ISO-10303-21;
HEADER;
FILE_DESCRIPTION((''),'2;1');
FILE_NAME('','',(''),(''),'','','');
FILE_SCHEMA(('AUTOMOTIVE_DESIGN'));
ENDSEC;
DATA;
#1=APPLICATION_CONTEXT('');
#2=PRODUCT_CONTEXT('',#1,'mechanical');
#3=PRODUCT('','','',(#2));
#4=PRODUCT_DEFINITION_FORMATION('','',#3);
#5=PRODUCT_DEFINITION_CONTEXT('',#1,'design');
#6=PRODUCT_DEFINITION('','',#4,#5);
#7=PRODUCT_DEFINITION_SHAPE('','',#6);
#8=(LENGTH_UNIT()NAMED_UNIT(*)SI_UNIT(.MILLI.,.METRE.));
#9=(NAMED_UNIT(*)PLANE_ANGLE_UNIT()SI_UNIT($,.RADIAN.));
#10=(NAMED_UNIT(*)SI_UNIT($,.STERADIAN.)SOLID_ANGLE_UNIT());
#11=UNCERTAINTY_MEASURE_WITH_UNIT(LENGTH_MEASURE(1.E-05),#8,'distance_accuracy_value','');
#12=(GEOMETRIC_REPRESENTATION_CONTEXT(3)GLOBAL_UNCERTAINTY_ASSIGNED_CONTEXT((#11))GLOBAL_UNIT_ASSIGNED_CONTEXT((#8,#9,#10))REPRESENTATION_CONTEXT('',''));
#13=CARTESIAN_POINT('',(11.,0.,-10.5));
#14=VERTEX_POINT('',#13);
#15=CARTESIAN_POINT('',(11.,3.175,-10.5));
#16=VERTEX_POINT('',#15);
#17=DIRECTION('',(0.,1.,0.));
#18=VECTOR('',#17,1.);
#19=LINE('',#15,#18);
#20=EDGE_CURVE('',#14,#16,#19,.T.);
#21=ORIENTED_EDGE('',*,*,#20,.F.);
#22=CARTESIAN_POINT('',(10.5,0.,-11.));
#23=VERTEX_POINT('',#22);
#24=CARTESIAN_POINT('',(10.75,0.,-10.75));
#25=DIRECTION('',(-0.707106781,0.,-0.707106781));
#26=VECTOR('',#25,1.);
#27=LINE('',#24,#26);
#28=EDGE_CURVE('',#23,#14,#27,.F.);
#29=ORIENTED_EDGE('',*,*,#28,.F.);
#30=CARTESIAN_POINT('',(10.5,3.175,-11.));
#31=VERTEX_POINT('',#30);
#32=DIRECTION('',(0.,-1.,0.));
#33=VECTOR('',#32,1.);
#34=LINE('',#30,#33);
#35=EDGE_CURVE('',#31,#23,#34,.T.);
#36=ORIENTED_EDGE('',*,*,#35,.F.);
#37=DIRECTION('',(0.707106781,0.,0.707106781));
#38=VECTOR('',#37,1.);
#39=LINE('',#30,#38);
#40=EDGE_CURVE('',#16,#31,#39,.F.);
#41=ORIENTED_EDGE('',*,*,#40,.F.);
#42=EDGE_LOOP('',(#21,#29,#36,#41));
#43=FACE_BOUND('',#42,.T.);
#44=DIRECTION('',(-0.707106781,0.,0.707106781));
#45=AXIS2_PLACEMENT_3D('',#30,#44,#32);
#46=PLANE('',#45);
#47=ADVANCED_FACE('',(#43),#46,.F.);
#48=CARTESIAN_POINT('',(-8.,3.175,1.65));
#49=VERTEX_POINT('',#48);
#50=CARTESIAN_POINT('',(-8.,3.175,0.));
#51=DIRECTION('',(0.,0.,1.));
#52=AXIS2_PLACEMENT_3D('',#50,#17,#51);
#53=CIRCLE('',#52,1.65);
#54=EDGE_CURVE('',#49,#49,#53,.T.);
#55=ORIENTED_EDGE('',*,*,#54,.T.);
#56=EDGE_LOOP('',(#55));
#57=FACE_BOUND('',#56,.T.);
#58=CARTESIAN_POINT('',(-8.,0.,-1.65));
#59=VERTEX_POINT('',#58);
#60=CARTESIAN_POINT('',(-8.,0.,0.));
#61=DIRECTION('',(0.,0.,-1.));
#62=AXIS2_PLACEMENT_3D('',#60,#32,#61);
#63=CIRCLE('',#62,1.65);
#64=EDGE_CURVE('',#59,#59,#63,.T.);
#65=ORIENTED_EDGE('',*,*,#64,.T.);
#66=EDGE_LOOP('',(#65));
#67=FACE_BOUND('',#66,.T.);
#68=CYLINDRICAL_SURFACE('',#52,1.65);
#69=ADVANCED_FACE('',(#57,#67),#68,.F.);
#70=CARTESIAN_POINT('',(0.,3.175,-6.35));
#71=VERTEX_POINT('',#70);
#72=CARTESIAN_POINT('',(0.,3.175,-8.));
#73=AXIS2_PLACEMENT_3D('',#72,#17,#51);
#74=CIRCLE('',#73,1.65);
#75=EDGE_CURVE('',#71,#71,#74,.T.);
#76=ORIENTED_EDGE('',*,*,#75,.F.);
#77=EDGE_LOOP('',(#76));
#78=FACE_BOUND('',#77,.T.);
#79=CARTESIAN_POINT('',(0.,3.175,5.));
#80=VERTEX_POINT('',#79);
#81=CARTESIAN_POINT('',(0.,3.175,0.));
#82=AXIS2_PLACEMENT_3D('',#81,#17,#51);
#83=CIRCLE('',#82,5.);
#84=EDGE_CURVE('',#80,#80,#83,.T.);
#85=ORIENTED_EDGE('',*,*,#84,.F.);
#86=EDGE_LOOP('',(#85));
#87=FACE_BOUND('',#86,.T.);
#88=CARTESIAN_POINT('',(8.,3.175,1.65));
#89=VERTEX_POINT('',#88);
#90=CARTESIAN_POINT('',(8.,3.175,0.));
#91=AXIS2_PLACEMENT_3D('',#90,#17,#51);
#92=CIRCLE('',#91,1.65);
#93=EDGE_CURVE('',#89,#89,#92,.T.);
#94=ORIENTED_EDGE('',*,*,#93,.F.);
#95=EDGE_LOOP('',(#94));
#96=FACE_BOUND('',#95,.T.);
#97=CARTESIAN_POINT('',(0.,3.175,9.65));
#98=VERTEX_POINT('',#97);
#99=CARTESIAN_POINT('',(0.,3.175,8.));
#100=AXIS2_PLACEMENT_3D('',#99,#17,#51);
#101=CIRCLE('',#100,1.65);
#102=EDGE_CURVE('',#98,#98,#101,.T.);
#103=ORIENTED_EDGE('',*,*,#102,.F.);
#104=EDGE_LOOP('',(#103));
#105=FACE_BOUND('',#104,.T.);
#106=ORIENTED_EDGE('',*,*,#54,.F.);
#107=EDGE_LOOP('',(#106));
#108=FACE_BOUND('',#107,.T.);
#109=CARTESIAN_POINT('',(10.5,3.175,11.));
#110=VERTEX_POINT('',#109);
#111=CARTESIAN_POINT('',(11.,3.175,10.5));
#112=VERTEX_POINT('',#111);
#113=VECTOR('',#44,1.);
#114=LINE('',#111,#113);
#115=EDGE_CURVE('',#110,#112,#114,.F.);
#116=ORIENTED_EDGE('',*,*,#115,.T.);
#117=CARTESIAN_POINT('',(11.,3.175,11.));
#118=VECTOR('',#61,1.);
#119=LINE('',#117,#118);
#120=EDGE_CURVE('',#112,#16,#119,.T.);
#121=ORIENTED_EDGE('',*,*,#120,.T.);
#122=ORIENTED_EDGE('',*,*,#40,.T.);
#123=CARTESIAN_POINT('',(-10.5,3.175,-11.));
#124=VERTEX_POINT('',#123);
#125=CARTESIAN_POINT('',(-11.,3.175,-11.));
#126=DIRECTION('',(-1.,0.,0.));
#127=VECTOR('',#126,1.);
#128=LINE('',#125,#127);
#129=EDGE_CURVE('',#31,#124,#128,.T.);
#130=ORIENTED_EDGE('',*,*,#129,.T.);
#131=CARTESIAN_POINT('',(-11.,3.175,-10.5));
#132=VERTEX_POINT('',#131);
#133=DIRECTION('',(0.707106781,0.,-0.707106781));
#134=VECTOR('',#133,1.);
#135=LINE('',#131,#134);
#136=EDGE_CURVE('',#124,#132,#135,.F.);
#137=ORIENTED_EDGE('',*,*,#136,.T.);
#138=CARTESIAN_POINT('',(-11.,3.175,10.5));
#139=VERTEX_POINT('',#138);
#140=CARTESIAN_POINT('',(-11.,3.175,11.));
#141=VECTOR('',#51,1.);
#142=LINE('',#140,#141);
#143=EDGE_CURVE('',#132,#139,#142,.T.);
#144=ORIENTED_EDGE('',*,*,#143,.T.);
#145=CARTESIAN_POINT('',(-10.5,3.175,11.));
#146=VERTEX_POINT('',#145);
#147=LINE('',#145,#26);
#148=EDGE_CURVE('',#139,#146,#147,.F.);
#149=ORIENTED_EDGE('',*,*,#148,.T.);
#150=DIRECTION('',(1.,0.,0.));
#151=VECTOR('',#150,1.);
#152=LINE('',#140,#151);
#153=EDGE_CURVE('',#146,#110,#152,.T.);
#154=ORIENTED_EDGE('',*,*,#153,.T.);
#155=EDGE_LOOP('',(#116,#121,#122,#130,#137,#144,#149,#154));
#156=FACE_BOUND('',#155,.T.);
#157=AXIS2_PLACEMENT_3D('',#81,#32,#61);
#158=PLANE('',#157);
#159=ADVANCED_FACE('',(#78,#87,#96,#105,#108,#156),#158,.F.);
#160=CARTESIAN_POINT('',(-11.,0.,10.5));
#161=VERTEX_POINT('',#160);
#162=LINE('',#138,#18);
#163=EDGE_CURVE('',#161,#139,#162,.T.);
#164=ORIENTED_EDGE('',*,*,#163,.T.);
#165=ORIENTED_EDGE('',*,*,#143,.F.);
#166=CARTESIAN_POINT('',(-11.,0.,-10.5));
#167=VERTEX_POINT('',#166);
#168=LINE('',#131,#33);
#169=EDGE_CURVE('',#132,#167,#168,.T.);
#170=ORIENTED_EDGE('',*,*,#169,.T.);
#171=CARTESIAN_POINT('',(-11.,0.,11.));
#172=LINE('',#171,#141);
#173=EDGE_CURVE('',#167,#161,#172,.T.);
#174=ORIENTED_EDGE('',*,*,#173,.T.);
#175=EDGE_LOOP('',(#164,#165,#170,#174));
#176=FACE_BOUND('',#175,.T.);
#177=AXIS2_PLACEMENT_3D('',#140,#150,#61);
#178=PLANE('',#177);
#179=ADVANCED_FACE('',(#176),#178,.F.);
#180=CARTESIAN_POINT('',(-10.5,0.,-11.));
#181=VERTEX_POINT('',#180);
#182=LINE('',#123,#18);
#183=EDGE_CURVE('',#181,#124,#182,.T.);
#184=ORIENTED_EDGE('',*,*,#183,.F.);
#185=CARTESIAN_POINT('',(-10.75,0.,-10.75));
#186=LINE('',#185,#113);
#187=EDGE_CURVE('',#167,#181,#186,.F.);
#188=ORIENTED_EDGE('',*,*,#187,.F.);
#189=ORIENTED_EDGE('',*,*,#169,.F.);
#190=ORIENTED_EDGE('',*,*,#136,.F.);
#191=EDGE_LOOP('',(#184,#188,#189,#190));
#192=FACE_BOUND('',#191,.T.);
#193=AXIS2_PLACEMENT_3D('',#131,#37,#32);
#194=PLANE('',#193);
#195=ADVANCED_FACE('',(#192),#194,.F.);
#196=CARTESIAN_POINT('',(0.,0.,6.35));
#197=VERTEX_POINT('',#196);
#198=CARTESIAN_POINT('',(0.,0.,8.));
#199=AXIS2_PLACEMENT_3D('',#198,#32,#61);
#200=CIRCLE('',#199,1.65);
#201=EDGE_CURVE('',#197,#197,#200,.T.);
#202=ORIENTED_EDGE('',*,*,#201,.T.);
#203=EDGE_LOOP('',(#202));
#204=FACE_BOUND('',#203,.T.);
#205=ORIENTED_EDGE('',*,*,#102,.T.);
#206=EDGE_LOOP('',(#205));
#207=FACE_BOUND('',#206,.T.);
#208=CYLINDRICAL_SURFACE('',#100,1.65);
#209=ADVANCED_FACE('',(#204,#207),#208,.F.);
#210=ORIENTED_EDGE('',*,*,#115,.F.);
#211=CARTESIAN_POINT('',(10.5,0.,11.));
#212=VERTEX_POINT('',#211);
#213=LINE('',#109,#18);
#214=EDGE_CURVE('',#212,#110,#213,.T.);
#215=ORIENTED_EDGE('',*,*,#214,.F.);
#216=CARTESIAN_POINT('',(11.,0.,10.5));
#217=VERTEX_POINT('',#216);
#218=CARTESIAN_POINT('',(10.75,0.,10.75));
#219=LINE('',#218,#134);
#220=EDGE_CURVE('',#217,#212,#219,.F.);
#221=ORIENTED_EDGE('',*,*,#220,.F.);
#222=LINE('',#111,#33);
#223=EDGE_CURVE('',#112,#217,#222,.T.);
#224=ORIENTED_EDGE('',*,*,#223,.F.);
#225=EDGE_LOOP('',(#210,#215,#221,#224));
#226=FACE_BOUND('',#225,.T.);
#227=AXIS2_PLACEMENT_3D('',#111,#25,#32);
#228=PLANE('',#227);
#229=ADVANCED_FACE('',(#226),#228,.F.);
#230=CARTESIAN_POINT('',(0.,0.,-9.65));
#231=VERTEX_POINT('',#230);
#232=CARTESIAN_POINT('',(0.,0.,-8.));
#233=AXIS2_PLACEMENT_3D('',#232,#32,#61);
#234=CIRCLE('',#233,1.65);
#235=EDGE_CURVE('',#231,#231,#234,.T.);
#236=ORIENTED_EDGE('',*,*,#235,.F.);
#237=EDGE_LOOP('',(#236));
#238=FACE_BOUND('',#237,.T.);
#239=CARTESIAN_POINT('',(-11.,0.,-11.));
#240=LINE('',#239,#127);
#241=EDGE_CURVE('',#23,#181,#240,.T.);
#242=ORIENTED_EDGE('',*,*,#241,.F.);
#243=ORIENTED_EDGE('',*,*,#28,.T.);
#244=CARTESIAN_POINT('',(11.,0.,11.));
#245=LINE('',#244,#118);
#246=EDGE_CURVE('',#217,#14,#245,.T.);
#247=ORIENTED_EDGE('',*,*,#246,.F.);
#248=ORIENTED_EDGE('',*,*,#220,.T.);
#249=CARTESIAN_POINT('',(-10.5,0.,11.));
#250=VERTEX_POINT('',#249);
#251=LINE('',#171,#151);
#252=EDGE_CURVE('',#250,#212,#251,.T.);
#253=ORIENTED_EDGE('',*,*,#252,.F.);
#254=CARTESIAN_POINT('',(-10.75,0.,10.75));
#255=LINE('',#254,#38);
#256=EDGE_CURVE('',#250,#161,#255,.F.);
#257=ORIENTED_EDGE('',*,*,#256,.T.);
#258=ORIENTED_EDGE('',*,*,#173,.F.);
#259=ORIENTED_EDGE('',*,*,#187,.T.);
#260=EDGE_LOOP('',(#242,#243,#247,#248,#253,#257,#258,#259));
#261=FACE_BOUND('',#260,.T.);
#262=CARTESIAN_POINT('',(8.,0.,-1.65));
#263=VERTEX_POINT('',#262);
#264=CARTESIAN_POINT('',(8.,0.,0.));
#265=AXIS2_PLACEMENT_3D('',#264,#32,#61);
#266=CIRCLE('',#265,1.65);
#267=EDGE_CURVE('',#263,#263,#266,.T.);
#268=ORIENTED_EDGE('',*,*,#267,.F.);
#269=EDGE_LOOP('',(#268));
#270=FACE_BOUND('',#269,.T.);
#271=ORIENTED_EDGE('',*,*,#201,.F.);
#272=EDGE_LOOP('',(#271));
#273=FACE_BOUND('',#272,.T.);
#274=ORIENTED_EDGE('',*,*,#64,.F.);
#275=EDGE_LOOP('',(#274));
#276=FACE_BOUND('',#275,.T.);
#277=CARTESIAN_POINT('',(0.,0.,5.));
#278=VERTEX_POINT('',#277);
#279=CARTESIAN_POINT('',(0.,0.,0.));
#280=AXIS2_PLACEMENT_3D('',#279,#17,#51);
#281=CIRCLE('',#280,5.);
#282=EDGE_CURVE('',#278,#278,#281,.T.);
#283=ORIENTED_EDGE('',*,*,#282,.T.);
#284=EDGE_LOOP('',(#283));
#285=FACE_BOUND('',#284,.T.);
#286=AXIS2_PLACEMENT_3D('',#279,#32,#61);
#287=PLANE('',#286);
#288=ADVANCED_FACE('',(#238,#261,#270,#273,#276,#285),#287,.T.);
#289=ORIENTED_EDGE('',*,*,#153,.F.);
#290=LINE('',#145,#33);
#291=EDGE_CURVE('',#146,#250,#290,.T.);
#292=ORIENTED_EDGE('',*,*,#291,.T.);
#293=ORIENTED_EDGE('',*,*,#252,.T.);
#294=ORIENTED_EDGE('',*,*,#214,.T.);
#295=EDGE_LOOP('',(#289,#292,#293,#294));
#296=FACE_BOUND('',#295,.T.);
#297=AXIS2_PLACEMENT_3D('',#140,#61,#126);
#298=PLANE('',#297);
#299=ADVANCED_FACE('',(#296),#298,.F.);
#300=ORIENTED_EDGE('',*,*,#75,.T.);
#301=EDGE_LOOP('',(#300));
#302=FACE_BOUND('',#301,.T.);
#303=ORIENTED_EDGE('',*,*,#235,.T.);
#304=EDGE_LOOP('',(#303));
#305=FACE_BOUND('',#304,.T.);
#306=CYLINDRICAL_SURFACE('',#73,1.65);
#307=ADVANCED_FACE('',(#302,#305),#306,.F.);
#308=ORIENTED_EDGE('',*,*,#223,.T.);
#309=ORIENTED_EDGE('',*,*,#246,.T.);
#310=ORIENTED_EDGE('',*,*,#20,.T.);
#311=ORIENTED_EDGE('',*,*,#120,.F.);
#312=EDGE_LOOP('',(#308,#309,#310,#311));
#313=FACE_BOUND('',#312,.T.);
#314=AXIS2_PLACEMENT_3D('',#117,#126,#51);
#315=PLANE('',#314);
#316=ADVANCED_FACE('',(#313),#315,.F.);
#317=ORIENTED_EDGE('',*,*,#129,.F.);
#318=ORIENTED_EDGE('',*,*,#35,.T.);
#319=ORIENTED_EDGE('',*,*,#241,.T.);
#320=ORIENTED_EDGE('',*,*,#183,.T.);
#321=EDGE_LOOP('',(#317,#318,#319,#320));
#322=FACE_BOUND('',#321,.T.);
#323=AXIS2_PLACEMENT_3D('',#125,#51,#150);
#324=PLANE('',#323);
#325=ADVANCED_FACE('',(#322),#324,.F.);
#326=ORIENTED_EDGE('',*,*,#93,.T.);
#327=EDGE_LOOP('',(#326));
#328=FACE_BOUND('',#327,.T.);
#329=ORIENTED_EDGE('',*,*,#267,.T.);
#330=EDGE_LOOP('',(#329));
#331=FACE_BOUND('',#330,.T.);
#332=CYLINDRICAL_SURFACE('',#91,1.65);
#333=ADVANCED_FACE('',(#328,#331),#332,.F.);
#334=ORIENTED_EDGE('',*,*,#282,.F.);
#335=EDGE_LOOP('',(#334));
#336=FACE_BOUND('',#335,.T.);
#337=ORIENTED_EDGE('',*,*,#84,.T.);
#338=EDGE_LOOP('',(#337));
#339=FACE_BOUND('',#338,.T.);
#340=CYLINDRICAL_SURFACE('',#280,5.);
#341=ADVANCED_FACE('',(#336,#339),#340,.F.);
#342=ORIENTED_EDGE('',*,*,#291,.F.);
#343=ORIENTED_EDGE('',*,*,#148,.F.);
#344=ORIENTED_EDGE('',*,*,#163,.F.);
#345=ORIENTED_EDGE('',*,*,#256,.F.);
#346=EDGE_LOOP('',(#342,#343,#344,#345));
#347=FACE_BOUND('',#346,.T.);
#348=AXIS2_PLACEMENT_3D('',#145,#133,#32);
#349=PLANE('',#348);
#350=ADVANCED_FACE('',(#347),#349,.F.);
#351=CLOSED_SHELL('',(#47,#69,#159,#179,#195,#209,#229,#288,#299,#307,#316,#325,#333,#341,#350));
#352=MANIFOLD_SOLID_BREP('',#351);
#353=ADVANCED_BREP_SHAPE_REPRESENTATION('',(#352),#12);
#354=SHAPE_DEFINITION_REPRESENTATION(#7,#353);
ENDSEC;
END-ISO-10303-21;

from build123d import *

# Parameters (mm, degrees)
SKETCH1_W                 = 22
SKETCH1_H                 = 22
BOSS_EXTRUDE1_DEPTH       = 3.175
SKETCH2_R                 = 5
CUT_EXTRUDE1_DEPTH        = 16.877047112
CHAMFER1_SIZE             = 0.5
F_3_0MM_DOWEL_HOLE1_D     = 3.3
F_3_0MM_DOWEL_HOLE1_DEPTH = 5
F_3_0MM_DOWEL_HOLE1_TIP   = 0.991420021


with BuildPart() as part:
    # Sketch1 → Boss-Extrude1 (new body)
    with BuildSketch(Plane(origin=(0, 0, 0), x_dir=(1, 0, 0), z_dir=(0, 1, 0))):
        Rectangle(SKETCH1_W, SKETCH1_H)
    extrude(amount=BOSS_EXTRUDE1_DEPTH)

    # Sketch2 → Cut-Extrude1 (cut, through all)
    with BuildSketch(Plane(origin=(0, 3.175, 0), x_dir=(1, 0, 0), z_dir=(0, 1, 0))):
        with Locations(Location((0, 0, 0), (0, 0, 270))):
            Circle(SKETCH2_R)
    extrude(amount=-CUT_EXTRUDE1_DEPTH, mode=Mode.SUBTRACT)

    # Chamfer1
    chamfer1_edges = [part.edges().sort_by_distance(p)[0] for p in [
        (11, 1.5875, 11),
        (-11, 1.5875, 11),
        (-11, 1.5875, -11),
        (11, 1.5875, -11),
    ]]
    chamfer(chamfer1_edges, length=CHAMFER1_SIZE)

    # Ø3.0mm Dowel Hole1
    with Locations(Plane(origin=(0, 3.175, 0), x_dir=(1, 0, 0), z_dir=(0, 1, 0))):
        with Locations((0, 8), (8, 0), (0, -8), (-8, 0)):
            Hole(F_3_0MM_DOWEL_HOLE1_D / 2, depth=F_3_0MM_DOWEL_HOLE1_DEPTH)
            with Locations((0, 0, -(F_3_0MM_DOWEL_HOLE1_DEPTH + F_3_0MM_DOWEL_HOLE1_TIP / 2))):  # 118° drill point
                Cone(0, F_3_0MM_DOWEL_HOLE1_D / 2, F_3_0MM_DOWEL_HOLE1_TIP, mode=Mode.SUBTRACT)


solid = part.part
